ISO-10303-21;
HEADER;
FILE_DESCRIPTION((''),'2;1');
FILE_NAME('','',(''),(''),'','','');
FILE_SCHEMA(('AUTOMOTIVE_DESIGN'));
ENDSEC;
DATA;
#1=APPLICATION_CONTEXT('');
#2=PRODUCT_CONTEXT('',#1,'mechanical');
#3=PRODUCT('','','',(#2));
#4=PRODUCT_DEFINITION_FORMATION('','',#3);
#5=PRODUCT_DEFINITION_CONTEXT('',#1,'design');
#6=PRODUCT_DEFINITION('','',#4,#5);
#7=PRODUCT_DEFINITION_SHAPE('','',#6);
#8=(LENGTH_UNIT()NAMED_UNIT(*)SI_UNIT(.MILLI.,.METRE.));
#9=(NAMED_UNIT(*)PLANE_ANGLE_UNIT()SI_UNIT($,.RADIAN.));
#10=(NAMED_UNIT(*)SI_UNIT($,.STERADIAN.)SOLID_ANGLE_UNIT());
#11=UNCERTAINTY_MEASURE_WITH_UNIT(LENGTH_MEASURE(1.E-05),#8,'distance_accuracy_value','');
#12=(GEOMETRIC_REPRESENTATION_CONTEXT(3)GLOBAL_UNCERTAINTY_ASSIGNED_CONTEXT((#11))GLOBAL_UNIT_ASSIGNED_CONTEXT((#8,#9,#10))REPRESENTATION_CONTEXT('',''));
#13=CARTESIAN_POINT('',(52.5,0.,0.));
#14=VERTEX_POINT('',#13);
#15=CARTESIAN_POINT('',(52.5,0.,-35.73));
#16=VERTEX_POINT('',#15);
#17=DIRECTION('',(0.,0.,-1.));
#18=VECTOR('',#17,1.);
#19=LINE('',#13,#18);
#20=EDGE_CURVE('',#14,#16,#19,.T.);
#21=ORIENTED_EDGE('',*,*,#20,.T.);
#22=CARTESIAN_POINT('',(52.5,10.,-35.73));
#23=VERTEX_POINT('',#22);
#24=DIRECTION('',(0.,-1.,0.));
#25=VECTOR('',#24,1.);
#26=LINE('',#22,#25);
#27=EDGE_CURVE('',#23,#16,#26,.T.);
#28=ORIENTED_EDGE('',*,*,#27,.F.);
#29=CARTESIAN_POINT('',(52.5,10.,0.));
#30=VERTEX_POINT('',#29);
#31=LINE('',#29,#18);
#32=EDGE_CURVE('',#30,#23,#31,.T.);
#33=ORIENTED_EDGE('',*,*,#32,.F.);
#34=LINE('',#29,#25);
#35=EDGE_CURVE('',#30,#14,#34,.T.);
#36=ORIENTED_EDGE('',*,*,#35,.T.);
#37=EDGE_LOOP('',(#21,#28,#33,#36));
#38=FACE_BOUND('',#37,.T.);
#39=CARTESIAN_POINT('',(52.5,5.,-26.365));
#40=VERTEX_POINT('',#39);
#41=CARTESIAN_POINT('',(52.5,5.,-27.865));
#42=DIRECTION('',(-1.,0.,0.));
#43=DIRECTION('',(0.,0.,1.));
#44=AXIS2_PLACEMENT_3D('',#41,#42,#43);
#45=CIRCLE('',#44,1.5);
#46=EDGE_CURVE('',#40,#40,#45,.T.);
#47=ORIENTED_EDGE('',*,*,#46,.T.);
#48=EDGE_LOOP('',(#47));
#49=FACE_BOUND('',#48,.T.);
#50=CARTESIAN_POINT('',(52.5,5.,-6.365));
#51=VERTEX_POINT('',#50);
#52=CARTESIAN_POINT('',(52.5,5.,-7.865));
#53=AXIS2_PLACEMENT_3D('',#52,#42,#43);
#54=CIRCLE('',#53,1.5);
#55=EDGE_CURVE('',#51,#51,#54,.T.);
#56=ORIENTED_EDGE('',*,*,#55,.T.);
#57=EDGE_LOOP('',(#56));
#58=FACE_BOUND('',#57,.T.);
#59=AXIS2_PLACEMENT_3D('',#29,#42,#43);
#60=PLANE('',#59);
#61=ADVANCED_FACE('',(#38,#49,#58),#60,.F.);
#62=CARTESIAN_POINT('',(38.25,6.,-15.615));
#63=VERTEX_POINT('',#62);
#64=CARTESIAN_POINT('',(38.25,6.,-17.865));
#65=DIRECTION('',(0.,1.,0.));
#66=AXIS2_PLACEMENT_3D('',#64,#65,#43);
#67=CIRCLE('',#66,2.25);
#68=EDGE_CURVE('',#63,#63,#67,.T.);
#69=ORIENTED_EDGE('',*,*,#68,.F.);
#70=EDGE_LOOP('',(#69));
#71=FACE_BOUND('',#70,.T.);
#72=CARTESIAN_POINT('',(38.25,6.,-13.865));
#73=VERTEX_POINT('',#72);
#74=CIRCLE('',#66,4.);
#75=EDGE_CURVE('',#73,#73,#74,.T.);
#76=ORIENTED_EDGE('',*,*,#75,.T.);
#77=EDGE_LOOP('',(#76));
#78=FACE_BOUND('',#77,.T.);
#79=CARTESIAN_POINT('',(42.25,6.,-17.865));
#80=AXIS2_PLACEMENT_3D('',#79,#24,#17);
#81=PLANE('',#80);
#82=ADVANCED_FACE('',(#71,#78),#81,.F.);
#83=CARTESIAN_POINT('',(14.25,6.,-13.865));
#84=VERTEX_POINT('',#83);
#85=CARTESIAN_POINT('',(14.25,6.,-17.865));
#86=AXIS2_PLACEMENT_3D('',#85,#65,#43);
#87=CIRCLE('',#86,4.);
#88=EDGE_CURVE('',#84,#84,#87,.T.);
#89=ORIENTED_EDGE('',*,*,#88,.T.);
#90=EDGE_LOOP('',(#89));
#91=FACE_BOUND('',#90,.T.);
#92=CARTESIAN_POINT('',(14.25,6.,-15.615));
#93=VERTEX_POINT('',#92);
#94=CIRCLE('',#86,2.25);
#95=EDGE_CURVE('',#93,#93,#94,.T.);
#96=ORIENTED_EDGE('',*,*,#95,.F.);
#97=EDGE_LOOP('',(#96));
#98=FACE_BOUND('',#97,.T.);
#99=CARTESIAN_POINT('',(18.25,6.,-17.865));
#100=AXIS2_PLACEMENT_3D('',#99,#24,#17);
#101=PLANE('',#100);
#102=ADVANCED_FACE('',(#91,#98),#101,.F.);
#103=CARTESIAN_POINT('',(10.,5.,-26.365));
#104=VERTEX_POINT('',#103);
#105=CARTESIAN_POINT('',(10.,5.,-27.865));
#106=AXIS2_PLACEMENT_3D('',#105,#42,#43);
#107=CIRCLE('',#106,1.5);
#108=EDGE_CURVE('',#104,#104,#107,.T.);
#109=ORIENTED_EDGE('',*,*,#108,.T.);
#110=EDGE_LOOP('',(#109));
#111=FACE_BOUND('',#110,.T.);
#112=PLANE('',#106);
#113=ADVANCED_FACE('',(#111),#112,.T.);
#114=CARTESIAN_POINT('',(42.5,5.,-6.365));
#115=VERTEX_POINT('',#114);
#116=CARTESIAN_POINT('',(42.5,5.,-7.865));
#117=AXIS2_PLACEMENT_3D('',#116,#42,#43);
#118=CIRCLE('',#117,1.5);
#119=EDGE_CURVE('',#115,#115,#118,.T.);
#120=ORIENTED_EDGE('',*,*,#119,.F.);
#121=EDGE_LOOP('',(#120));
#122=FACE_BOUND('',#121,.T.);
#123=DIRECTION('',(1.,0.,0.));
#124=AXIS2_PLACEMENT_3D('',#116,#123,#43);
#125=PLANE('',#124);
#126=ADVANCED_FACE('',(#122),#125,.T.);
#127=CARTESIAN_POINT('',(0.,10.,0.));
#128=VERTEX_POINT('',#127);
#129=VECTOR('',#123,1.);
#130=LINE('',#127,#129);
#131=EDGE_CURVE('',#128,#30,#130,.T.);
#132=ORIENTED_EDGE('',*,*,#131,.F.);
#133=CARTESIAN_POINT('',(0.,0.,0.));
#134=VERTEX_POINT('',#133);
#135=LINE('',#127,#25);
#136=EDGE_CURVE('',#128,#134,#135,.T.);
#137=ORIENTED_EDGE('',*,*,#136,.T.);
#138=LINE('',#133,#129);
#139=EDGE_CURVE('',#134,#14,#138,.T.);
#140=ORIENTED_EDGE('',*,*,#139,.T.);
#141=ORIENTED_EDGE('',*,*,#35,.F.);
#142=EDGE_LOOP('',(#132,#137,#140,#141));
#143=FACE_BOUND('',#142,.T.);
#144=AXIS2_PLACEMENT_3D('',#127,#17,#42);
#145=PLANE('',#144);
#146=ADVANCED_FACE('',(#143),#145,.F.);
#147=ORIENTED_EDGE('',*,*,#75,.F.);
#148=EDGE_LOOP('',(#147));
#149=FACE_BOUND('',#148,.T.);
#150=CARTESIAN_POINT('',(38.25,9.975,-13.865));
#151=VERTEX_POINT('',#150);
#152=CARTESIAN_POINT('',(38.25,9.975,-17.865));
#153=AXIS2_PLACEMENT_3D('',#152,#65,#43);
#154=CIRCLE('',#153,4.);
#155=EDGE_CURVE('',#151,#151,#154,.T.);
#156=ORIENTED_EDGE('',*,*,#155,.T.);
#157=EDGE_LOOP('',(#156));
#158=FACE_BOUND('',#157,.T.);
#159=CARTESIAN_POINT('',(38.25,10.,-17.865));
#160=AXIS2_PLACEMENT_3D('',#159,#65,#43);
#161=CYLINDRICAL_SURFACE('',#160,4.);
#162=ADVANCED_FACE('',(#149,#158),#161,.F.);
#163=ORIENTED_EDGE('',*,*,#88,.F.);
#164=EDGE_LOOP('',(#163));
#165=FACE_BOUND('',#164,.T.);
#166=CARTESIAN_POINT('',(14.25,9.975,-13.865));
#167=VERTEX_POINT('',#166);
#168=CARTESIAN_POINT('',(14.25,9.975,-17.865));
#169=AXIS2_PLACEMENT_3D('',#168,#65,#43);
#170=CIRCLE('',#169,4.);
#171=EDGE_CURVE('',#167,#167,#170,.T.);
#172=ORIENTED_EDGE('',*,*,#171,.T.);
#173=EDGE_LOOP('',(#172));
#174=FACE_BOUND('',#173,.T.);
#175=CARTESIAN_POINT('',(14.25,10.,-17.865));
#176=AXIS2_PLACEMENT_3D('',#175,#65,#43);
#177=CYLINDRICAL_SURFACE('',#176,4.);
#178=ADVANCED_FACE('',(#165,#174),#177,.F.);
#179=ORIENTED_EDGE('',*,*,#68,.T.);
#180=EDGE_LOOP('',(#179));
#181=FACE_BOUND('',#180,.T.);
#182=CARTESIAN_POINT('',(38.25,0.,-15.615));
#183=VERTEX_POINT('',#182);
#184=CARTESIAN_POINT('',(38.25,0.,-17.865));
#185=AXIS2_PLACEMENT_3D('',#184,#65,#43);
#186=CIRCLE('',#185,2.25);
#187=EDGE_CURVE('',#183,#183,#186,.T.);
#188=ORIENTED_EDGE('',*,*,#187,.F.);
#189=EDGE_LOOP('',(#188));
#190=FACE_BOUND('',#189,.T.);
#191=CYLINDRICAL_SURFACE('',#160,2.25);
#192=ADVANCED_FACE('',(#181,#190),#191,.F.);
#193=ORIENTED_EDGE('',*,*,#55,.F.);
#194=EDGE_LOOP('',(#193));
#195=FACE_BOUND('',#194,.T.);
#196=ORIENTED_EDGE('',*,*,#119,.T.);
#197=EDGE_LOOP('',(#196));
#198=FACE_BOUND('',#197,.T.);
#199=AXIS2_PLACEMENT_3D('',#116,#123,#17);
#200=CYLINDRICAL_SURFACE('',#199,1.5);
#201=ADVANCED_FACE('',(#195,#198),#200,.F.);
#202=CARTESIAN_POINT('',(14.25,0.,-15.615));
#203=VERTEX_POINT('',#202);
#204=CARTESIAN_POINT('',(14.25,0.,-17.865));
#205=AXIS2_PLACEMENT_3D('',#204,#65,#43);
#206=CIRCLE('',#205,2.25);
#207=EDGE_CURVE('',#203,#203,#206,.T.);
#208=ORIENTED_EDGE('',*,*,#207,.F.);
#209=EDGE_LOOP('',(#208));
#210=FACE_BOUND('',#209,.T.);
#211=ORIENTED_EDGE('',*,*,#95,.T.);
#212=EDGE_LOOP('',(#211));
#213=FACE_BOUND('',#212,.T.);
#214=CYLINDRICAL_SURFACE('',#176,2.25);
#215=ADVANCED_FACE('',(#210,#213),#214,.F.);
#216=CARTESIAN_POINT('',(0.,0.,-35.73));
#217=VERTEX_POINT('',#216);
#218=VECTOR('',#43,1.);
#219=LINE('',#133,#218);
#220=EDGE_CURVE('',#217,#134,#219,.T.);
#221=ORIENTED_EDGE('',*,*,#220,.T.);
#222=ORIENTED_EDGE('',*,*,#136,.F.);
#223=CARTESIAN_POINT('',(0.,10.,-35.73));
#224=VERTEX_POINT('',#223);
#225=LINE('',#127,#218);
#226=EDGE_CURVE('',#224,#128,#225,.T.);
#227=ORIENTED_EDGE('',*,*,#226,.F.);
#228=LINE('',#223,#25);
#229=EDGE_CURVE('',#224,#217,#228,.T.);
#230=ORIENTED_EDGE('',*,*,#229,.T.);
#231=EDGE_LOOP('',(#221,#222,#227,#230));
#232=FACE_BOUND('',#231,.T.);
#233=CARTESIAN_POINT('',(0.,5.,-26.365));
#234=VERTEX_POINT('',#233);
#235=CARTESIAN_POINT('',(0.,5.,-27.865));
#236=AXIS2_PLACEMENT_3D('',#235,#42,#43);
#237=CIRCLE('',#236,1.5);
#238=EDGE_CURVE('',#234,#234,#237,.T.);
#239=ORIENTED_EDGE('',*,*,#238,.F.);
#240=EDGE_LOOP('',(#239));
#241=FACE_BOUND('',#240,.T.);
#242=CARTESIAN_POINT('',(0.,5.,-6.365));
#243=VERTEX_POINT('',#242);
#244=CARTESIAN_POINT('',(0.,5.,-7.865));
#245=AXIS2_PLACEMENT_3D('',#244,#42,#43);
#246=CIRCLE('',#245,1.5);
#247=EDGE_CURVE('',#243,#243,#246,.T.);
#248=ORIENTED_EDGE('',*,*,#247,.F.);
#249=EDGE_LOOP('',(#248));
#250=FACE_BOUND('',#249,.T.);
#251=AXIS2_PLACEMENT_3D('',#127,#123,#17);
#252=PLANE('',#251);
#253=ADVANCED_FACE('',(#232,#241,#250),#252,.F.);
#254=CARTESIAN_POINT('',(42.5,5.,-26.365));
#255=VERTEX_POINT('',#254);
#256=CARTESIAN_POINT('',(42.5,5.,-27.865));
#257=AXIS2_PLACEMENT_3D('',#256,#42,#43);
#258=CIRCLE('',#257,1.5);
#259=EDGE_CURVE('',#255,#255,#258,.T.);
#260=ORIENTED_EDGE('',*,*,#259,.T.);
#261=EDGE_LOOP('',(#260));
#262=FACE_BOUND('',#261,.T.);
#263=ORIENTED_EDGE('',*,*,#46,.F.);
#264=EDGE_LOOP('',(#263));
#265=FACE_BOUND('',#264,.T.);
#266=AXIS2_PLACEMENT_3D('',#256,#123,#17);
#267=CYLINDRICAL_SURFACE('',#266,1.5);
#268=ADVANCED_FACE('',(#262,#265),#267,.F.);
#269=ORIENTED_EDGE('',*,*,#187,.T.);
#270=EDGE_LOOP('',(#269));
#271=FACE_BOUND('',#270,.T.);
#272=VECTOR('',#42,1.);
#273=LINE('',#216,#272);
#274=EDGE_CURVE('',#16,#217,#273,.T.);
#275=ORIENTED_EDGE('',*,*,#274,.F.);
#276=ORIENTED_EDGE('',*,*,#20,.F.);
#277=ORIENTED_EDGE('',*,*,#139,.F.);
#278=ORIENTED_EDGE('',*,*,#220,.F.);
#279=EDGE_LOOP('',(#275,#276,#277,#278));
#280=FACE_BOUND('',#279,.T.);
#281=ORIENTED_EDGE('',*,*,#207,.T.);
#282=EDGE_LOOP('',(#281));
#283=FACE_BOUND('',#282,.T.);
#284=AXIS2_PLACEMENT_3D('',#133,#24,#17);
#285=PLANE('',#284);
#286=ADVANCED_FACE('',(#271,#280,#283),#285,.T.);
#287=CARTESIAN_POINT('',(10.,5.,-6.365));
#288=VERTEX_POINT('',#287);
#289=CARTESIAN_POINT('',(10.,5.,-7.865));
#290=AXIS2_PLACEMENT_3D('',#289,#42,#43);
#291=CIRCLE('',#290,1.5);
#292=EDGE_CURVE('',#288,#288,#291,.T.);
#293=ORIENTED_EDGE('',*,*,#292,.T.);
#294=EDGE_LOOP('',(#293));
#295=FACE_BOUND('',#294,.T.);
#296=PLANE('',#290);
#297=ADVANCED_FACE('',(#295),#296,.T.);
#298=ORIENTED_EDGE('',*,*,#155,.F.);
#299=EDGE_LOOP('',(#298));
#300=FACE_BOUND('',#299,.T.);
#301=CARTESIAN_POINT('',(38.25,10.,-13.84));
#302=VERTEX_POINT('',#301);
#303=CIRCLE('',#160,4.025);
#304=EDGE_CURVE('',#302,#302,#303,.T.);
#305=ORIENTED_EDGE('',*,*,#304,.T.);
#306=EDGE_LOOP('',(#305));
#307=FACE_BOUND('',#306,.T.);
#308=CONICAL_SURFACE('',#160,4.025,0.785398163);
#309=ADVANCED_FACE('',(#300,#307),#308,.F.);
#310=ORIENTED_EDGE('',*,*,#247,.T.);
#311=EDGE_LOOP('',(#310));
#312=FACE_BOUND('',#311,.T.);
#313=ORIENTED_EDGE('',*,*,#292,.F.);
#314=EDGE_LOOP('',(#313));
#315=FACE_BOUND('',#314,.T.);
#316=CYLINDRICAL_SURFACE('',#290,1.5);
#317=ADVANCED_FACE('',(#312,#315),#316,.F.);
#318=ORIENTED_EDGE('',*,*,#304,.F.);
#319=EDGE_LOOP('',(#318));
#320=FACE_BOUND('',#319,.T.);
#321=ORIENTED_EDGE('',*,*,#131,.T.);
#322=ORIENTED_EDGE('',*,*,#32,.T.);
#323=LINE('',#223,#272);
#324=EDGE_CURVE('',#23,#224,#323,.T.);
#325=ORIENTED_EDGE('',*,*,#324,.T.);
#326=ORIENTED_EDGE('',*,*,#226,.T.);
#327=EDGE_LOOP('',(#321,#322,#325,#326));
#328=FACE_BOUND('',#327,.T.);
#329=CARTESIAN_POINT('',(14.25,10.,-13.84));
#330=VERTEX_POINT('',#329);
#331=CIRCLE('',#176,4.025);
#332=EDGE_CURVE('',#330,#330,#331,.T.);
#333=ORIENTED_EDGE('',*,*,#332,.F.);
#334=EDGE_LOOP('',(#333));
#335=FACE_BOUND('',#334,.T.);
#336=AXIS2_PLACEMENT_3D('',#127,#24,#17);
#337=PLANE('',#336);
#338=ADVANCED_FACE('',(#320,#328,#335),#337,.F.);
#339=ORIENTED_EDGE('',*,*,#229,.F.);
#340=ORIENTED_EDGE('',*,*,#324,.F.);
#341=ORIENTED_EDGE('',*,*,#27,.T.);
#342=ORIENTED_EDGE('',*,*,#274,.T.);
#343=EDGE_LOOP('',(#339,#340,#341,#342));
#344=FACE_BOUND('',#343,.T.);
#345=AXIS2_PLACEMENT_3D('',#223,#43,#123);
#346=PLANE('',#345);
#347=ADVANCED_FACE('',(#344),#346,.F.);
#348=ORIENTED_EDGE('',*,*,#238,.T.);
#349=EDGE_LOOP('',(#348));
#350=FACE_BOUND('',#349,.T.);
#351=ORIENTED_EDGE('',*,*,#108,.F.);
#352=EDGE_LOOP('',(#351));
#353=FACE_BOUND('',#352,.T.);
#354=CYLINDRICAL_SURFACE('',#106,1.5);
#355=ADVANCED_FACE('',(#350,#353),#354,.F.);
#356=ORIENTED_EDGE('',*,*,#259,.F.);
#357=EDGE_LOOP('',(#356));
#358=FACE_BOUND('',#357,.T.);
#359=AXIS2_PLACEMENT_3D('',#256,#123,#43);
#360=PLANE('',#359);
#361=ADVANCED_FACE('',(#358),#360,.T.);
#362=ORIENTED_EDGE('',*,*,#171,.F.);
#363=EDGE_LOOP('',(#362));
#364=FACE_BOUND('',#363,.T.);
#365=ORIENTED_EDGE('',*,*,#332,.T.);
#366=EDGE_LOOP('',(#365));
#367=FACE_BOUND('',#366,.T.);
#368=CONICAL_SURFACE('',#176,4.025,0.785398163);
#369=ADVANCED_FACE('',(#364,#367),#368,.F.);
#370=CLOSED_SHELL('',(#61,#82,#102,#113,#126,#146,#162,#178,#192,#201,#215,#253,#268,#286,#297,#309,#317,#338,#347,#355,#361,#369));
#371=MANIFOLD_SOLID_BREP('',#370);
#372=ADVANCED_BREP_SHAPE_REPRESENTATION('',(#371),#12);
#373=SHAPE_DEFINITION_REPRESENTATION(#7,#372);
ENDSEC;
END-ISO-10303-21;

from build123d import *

# Parameters (mm, degrees)
SKETCH1_W                     = 52.5
SKETCH1_H                     = 35.73
BOSS_EXTRUDE1_DEPTH           = 10
SKETCH3_R                     = 1.5
CUT_EXTRUDE1_DEPTH            = 10
CBORE_FOR_M4_SHCS1_AT_2_COUNT = 2
CBORE_FOR_M4_SHCS1_AT_2_PITCH = 24


with BuildPart() as part:
    # Sketch1 → Boss-Extrude1 (new body)
    with BuildSketch(Plane(origin=(0, 0, 0), x_dir=(1, 0, 0), z_dir=(0, 1, 0))):
        with Locations((26.25, 17.865)):
            Rectangle(SKETCH1_W, SKETCH1_H)
    extrude(amount=BOSS_EXTRUDE1_DEPTH)

    # Sketch3 → Cut-Extrude1 (cut)
    with BuildSketch(Plane.ZY):
        with Locations((-27.865, 5)):
            Circle(SKETCH3_R)
        with Locations((-7.865, 5)):
            Circle(SKETCH3_R)
    cut_extrude1 = extrude(amount=-CUT_EXTRUDE1_DEPTH, mode=Mode.SUBTRACT)

    # Mirror1: Cut-Extrude1 across plane
    add(cut_extrude1.mirror(Plane(origin=(26.25, 0, 0), x_dir=(0, 0, 1), z_dir=(1, 0, 0))), mode=Mode.SUBTRACT)

    # Sketch6 → CBORE for M4 SHCS1 (revolve, cut)
    with BuildSketch(Plane(origin=(38.25, 10, -17.865), x_dir=(0, 0, 1), z_dir=(1, 0, 0))):
        Polygon((0, 0), (0, 10), (2.25, 10), (2.25, 4), (4, 4), (4, 0.025), (4.025, 0), align=None)
    cbore_for_m4_shcs1 = revolve(axis=Axis((38.25, 16.35, -17.865), (0, -1, 0)), mode=Mode.SUBTRACT)

    # CBORE for M4 SHCS1 at 2: CBORE for M4 SHCS1 ×2
    with Locations(*[(-i * CBORE_FOR_M4_SHCS1_AT_2_PITCH, 0, 0) for i in range(1, CBORE_FOR_M4_SHCS1_AT_2_COUNT)]):
        add(cbore_for_m4_shcs1, mode=Mode.SUBTRACT)


solid = part.part
